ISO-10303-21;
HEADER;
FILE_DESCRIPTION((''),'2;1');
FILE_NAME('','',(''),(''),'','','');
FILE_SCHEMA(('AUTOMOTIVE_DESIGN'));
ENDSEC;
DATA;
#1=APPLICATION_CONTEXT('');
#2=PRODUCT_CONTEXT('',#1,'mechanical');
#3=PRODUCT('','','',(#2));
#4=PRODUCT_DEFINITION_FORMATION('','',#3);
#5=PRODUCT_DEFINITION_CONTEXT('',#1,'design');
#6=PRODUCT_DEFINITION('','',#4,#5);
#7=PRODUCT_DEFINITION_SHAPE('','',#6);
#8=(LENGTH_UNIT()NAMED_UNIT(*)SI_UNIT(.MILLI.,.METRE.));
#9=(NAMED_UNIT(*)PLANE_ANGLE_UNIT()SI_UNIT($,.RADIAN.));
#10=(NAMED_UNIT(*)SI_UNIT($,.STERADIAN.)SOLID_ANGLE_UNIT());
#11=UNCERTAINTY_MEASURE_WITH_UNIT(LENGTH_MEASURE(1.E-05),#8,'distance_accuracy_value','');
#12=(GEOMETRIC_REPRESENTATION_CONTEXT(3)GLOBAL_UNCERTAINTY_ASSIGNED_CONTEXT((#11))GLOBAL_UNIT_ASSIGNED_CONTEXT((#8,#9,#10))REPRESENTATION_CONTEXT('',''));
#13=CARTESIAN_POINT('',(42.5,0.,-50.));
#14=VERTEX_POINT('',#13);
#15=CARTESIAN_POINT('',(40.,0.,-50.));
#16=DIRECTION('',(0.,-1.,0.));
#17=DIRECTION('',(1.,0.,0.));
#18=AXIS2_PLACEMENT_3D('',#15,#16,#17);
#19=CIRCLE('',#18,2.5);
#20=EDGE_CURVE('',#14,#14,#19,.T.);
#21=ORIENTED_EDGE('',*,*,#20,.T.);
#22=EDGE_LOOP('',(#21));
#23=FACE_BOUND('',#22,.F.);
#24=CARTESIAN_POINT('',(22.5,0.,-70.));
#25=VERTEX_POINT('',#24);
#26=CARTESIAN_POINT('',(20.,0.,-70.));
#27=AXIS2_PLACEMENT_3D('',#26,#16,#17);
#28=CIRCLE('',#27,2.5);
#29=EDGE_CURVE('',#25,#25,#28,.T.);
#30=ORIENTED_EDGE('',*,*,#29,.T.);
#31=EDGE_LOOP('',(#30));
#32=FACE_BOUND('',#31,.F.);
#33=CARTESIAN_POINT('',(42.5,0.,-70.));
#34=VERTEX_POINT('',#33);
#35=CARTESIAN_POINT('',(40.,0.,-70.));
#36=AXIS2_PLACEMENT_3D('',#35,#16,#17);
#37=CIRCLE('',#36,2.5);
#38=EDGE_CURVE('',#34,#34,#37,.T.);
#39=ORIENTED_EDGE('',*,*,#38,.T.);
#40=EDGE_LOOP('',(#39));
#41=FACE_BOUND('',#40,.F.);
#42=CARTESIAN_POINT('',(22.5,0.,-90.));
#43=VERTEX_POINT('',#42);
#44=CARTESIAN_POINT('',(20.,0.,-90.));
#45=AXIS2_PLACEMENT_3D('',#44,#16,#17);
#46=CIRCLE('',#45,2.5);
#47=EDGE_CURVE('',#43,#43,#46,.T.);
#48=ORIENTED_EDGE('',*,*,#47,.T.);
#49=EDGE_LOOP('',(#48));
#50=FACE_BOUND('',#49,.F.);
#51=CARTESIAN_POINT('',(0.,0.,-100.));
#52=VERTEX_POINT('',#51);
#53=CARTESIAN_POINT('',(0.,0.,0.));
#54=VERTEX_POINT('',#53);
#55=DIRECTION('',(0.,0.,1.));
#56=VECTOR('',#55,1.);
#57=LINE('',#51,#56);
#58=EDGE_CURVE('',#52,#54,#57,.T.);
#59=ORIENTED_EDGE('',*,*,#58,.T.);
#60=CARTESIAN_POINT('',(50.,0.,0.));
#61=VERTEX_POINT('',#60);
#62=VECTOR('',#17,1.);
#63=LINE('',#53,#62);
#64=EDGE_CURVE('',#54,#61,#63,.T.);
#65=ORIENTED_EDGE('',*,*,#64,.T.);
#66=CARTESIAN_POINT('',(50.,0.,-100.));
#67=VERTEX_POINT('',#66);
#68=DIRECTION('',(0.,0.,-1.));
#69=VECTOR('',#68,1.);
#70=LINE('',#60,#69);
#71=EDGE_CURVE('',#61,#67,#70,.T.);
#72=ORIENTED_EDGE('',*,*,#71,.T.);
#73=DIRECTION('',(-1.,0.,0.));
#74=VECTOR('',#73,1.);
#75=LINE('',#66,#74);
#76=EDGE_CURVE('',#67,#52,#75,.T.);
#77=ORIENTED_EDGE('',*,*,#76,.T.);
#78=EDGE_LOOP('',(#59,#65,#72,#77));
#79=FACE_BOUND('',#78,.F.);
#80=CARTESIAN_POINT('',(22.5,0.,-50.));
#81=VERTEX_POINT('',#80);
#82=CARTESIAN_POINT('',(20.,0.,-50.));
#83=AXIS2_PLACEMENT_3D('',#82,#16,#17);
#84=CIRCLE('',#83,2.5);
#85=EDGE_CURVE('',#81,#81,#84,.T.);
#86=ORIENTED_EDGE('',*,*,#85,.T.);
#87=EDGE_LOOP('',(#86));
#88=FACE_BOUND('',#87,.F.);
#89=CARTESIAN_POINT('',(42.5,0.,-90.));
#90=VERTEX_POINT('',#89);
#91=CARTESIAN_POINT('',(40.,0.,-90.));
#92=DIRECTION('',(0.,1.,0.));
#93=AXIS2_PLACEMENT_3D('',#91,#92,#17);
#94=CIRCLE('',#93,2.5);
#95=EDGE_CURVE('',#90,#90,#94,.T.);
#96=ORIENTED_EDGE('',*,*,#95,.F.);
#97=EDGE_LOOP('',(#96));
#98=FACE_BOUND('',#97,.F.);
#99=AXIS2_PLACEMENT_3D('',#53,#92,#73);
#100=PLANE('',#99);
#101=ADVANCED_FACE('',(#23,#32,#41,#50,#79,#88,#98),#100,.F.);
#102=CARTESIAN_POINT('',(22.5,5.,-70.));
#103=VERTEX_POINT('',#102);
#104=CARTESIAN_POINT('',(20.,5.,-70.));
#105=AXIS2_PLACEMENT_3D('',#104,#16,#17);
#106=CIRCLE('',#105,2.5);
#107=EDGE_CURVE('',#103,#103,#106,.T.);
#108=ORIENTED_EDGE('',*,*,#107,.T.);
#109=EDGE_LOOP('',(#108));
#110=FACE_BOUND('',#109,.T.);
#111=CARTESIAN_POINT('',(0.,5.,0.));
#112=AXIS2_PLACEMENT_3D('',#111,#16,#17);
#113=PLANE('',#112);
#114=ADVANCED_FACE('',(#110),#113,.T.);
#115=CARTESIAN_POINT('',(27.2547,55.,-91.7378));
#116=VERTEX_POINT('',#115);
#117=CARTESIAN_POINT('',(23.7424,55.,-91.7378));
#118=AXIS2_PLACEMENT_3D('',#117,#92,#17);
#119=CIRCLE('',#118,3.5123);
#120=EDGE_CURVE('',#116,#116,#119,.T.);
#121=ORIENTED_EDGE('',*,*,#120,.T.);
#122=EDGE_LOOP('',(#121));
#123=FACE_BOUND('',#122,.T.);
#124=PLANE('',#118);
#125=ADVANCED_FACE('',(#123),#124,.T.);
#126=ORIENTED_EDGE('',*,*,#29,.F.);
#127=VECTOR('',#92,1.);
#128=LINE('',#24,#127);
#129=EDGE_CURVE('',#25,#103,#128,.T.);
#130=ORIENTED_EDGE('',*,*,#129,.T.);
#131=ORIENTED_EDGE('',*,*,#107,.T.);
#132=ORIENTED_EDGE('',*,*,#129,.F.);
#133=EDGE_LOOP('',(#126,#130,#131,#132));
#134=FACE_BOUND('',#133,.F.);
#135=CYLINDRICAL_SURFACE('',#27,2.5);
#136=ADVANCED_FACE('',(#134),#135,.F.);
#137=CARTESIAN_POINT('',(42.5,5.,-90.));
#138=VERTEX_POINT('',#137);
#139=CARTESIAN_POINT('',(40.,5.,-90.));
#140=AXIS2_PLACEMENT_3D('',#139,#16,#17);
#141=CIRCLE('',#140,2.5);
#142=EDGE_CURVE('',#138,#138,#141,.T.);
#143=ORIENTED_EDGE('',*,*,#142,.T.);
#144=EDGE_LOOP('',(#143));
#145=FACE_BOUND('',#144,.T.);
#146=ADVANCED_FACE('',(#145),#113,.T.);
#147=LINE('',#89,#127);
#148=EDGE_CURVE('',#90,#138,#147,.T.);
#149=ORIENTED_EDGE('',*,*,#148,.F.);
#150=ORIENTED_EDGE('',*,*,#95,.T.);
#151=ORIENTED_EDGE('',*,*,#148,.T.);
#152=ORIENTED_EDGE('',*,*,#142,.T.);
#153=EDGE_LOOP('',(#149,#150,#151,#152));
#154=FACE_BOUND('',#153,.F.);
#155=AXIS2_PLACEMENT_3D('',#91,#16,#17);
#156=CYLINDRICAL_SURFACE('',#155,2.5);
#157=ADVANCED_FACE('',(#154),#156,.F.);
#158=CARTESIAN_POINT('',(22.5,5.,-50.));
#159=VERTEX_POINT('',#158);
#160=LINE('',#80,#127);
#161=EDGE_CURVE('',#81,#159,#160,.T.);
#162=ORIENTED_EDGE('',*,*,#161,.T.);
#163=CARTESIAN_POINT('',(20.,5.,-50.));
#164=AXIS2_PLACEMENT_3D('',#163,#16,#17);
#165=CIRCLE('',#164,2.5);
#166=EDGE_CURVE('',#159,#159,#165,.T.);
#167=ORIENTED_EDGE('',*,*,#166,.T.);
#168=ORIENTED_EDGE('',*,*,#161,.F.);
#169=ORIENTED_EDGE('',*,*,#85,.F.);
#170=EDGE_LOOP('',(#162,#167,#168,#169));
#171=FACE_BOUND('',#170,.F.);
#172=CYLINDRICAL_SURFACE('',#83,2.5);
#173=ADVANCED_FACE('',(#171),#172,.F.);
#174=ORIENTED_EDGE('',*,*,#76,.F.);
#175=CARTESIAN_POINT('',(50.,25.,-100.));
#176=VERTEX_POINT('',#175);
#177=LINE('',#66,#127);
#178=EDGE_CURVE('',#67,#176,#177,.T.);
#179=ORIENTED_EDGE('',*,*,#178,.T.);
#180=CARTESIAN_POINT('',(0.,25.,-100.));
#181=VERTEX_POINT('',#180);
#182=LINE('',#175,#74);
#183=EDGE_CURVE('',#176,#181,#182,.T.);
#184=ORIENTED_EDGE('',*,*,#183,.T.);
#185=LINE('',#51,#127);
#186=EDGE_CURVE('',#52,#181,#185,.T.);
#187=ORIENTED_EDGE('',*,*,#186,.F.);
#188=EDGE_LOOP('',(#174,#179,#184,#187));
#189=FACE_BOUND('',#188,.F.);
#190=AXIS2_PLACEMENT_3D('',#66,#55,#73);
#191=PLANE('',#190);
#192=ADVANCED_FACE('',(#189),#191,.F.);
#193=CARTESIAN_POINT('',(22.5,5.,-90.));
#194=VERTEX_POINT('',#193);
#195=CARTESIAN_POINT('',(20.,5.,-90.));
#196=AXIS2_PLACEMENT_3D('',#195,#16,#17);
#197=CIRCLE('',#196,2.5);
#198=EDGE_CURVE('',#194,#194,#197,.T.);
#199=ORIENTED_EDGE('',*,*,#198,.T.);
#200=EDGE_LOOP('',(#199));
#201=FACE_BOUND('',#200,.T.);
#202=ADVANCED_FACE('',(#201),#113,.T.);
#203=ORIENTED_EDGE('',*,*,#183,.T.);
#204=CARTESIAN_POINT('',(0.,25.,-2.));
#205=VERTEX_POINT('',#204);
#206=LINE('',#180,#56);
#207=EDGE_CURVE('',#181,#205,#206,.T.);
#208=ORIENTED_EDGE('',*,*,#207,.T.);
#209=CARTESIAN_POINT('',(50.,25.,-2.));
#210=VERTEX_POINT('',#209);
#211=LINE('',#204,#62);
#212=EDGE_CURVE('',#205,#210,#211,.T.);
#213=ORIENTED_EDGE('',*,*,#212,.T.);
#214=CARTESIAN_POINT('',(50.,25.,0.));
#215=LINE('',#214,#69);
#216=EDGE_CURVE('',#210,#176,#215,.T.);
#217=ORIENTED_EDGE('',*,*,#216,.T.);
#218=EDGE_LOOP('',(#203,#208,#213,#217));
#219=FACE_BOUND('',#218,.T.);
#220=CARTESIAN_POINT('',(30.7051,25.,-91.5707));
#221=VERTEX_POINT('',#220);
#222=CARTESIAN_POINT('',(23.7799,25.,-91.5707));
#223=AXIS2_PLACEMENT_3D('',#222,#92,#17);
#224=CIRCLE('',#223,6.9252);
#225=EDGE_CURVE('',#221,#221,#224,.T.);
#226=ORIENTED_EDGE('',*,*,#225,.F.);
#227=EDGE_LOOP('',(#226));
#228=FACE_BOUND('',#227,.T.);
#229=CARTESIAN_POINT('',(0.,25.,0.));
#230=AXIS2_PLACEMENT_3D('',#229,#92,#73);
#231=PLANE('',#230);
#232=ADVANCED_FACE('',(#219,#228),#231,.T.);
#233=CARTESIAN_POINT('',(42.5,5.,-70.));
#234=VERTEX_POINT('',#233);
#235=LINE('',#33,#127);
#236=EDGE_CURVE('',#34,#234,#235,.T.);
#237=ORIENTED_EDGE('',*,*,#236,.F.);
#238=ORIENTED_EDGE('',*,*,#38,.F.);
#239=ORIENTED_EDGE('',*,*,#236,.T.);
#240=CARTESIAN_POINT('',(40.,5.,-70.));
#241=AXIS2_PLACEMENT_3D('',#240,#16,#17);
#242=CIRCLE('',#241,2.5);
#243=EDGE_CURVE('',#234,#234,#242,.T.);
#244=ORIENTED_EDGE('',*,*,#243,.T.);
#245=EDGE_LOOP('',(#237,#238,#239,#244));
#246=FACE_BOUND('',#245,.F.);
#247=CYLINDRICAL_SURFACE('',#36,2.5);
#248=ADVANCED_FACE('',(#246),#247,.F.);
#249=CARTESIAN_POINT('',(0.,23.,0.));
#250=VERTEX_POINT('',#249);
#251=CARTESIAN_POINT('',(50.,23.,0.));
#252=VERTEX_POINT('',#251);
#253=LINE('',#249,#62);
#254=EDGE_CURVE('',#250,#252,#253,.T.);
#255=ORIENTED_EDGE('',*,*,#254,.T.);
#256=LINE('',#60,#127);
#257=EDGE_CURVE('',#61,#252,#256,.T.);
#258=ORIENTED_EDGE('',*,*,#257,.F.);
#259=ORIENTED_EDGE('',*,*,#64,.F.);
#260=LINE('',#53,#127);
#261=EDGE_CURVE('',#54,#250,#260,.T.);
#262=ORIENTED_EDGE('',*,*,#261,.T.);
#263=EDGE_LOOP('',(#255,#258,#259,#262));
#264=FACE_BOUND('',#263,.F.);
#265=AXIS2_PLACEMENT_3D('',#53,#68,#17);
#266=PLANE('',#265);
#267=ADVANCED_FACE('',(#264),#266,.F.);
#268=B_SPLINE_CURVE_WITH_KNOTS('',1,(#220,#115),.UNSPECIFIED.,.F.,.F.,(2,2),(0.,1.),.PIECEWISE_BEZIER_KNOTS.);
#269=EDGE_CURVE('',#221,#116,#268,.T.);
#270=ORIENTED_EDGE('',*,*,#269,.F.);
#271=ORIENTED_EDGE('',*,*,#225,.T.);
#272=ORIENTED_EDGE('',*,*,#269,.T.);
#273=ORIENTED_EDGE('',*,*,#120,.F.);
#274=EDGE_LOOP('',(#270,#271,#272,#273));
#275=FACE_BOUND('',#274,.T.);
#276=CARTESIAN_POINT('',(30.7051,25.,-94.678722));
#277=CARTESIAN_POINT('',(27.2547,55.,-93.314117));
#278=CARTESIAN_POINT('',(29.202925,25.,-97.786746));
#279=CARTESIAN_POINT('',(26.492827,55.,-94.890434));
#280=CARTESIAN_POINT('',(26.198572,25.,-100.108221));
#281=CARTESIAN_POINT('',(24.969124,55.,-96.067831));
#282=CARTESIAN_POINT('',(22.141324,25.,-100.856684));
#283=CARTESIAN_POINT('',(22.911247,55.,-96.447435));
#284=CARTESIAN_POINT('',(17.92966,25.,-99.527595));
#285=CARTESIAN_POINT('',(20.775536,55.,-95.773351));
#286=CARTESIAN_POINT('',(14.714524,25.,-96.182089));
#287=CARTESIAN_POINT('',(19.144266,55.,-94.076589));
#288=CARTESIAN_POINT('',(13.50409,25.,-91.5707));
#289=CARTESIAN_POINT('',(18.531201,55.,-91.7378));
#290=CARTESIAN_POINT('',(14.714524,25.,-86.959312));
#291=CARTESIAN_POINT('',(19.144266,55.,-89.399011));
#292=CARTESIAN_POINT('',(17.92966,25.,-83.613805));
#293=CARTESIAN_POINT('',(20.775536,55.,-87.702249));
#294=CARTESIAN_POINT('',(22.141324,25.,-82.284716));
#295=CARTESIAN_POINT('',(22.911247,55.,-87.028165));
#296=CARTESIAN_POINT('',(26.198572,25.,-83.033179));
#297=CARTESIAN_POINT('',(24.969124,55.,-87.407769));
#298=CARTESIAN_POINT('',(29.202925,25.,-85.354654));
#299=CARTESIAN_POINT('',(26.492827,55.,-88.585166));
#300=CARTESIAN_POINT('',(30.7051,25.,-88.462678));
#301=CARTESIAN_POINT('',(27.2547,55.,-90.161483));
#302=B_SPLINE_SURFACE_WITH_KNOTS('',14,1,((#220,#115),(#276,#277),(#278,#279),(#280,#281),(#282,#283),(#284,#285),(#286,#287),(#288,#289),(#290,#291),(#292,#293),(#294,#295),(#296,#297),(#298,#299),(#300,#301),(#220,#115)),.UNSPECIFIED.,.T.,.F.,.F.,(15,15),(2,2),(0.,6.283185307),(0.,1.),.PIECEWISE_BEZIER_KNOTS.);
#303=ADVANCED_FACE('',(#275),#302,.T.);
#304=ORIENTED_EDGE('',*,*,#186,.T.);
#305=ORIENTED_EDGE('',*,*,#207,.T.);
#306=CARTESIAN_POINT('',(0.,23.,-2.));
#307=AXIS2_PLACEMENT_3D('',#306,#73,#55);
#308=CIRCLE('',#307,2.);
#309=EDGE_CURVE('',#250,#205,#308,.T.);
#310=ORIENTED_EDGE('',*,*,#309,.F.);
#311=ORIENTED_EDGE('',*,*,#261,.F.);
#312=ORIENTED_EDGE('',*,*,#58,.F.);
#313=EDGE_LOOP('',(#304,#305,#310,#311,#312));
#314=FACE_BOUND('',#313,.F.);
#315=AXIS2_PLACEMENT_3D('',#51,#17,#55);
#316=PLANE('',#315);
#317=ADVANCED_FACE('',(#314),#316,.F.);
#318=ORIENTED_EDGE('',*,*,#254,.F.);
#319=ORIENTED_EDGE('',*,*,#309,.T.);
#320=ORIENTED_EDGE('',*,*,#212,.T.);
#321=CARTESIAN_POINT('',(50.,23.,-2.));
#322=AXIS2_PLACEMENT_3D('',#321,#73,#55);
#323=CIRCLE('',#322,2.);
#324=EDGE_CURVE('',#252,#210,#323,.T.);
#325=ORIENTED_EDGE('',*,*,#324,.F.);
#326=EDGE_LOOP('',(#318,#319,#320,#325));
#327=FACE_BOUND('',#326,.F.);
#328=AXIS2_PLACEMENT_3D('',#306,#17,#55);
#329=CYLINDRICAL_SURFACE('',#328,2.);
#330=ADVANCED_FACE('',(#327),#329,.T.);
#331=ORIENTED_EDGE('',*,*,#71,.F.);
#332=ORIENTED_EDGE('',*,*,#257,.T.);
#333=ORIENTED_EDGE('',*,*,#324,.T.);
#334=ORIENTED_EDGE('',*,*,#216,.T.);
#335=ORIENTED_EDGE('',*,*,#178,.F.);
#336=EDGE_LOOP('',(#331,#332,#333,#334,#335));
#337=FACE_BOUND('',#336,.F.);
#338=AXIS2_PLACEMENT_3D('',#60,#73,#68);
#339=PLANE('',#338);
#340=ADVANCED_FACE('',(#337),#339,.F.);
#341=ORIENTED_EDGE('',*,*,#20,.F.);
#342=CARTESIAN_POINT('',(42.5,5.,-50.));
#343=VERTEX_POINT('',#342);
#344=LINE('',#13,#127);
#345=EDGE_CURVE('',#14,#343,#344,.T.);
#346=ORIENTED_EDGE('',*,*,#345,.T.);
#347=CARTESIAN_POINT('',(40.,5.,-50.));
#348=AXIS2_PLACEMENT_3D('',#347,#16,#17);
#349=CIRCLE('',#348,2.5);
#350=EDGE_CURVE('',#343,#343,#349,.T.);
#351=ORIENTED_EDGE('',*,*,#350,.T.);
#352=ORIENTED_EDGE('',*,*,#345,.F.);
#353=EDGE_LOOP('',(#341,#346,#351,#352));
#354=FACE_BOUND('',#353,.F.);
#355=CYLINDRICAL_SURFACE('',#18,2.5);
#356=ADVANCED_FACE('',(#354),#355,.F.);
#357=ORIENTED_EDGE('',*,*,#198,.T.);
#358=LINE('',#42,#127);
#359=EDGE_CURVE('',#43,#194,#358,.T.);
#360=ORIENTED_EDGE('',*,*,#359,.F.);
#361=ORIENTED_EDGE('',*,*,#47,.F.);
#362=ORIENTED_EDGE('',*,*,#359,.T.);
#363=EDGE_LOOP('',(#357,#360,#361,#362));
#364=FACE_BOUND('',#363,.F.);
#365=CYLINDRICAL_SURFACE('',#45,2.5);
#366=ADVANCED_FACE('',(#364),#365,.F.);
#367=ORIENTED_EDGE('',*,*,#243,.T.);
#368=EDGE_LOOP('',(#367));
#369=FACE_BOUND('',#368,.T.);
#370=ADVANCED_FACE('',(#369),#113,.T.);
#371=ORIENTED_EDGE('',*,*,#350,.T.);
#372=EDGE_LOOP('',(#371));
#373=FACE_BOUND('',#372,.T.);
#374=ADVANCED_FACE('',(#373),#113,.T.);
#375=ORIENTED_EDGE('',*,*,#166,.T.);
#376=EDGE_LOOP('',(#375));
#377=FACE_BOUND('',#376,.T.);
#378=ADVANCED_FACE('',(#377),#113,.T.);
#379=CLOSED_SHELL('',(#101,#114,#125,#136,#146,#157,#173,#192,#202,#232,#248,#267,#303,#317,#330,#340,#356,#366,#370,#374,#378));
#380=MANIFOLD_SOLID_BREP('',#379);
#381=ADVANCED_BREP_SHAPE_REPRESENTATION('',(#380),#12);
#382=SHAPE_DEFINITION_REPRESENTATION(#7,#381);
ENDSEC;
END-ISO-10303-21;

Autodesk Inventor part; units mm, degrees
ref_plane "YZ Plane" through (0, 0, 0) normal (1, 0, 0) x (0, 1, 0)
ref_plane "XZ Plane" through (0, 0, 0) normal (0, 1, 0) x (-1, 0, 0)
sketch "Sketch1" plane through (0, 0, 0) normal (0, 1, 0) x (-1, 0, 0)
  line L0 (0, 0) -> (-50, 0)
  line L1 (-50, 0) -> (-50, -100)
  line L2 (-50, -100) -> (0, -100)
  line L3 (0, -100) -> (0, 0)
  dimension "d3" = 100
  dimension "d4" = 50
extrude "Extrusion1" add sketch "Sketch1" along normal blind 25
fillet "Fillet1" radius 2 1 edges at (25, 25, 0)
ref_plane "Work Plane1" through (0, 55, 0) normal (0, 1, 0) x (1, 0, 0)
sketch "Sketch2" plane through (0, 55, 0) normal (0, 1, 0) x (1, 0, 0)
  point P0 (0, 0)
sketch "Sketch3" plane through (0, 25, 0) normal (0, 1, 0) x (1, 0, 0)
  circle A0 centre (23.7799, 91.5707) radius 6.9252
  point P0 (0, 0)
sketch "Sketch4" plane through (0, 55, 0) normal (0, 1, 0) x (1, 0, 0)
  circle A0 centre (23.7424, 91.7378) radius 3.5123
  point P0 (0, 0)
loft "Loft1" add profiles "Sketch3", "Sketch4"
sketch "Sketch5" plane through (0, 0, 0) normal (0, -1, 0) x (1, 0, 0)
  line L0 (50, -100) -> (0, -100) projected
  line L1 (50, -100) -> (50, -90)
  line L2 (50, -2) -> (50, -100) projected
  line L3 (50, -90) -> (40, -90)
  circle A0 centre (40, -90) radius 2.5
  line L4 (40, -90) -> (40, -73.1599)
  line L5 (40, -90) -> (17.7006, -90)
  circle A1 centre (40, -70) radius 2.5
  circle A2 centre (40, -50) radius 2.5
  circle A3 centre (20, -90) radius 2.5
  circle A4 centre (20, -70) radius 2.5
  circle A5 centre (20, -50) radius 2.5
  point P0 (0, 0)
  dimension "d10" = 10
  dimension "d11" = 10
  dimension "d12" = 5
  dimension "d15" = 20
  dimension "d18" = 20
extrude "Extrusion2" cut sketch "Sketch5" against normal blind 5
properties part number "kappale"
